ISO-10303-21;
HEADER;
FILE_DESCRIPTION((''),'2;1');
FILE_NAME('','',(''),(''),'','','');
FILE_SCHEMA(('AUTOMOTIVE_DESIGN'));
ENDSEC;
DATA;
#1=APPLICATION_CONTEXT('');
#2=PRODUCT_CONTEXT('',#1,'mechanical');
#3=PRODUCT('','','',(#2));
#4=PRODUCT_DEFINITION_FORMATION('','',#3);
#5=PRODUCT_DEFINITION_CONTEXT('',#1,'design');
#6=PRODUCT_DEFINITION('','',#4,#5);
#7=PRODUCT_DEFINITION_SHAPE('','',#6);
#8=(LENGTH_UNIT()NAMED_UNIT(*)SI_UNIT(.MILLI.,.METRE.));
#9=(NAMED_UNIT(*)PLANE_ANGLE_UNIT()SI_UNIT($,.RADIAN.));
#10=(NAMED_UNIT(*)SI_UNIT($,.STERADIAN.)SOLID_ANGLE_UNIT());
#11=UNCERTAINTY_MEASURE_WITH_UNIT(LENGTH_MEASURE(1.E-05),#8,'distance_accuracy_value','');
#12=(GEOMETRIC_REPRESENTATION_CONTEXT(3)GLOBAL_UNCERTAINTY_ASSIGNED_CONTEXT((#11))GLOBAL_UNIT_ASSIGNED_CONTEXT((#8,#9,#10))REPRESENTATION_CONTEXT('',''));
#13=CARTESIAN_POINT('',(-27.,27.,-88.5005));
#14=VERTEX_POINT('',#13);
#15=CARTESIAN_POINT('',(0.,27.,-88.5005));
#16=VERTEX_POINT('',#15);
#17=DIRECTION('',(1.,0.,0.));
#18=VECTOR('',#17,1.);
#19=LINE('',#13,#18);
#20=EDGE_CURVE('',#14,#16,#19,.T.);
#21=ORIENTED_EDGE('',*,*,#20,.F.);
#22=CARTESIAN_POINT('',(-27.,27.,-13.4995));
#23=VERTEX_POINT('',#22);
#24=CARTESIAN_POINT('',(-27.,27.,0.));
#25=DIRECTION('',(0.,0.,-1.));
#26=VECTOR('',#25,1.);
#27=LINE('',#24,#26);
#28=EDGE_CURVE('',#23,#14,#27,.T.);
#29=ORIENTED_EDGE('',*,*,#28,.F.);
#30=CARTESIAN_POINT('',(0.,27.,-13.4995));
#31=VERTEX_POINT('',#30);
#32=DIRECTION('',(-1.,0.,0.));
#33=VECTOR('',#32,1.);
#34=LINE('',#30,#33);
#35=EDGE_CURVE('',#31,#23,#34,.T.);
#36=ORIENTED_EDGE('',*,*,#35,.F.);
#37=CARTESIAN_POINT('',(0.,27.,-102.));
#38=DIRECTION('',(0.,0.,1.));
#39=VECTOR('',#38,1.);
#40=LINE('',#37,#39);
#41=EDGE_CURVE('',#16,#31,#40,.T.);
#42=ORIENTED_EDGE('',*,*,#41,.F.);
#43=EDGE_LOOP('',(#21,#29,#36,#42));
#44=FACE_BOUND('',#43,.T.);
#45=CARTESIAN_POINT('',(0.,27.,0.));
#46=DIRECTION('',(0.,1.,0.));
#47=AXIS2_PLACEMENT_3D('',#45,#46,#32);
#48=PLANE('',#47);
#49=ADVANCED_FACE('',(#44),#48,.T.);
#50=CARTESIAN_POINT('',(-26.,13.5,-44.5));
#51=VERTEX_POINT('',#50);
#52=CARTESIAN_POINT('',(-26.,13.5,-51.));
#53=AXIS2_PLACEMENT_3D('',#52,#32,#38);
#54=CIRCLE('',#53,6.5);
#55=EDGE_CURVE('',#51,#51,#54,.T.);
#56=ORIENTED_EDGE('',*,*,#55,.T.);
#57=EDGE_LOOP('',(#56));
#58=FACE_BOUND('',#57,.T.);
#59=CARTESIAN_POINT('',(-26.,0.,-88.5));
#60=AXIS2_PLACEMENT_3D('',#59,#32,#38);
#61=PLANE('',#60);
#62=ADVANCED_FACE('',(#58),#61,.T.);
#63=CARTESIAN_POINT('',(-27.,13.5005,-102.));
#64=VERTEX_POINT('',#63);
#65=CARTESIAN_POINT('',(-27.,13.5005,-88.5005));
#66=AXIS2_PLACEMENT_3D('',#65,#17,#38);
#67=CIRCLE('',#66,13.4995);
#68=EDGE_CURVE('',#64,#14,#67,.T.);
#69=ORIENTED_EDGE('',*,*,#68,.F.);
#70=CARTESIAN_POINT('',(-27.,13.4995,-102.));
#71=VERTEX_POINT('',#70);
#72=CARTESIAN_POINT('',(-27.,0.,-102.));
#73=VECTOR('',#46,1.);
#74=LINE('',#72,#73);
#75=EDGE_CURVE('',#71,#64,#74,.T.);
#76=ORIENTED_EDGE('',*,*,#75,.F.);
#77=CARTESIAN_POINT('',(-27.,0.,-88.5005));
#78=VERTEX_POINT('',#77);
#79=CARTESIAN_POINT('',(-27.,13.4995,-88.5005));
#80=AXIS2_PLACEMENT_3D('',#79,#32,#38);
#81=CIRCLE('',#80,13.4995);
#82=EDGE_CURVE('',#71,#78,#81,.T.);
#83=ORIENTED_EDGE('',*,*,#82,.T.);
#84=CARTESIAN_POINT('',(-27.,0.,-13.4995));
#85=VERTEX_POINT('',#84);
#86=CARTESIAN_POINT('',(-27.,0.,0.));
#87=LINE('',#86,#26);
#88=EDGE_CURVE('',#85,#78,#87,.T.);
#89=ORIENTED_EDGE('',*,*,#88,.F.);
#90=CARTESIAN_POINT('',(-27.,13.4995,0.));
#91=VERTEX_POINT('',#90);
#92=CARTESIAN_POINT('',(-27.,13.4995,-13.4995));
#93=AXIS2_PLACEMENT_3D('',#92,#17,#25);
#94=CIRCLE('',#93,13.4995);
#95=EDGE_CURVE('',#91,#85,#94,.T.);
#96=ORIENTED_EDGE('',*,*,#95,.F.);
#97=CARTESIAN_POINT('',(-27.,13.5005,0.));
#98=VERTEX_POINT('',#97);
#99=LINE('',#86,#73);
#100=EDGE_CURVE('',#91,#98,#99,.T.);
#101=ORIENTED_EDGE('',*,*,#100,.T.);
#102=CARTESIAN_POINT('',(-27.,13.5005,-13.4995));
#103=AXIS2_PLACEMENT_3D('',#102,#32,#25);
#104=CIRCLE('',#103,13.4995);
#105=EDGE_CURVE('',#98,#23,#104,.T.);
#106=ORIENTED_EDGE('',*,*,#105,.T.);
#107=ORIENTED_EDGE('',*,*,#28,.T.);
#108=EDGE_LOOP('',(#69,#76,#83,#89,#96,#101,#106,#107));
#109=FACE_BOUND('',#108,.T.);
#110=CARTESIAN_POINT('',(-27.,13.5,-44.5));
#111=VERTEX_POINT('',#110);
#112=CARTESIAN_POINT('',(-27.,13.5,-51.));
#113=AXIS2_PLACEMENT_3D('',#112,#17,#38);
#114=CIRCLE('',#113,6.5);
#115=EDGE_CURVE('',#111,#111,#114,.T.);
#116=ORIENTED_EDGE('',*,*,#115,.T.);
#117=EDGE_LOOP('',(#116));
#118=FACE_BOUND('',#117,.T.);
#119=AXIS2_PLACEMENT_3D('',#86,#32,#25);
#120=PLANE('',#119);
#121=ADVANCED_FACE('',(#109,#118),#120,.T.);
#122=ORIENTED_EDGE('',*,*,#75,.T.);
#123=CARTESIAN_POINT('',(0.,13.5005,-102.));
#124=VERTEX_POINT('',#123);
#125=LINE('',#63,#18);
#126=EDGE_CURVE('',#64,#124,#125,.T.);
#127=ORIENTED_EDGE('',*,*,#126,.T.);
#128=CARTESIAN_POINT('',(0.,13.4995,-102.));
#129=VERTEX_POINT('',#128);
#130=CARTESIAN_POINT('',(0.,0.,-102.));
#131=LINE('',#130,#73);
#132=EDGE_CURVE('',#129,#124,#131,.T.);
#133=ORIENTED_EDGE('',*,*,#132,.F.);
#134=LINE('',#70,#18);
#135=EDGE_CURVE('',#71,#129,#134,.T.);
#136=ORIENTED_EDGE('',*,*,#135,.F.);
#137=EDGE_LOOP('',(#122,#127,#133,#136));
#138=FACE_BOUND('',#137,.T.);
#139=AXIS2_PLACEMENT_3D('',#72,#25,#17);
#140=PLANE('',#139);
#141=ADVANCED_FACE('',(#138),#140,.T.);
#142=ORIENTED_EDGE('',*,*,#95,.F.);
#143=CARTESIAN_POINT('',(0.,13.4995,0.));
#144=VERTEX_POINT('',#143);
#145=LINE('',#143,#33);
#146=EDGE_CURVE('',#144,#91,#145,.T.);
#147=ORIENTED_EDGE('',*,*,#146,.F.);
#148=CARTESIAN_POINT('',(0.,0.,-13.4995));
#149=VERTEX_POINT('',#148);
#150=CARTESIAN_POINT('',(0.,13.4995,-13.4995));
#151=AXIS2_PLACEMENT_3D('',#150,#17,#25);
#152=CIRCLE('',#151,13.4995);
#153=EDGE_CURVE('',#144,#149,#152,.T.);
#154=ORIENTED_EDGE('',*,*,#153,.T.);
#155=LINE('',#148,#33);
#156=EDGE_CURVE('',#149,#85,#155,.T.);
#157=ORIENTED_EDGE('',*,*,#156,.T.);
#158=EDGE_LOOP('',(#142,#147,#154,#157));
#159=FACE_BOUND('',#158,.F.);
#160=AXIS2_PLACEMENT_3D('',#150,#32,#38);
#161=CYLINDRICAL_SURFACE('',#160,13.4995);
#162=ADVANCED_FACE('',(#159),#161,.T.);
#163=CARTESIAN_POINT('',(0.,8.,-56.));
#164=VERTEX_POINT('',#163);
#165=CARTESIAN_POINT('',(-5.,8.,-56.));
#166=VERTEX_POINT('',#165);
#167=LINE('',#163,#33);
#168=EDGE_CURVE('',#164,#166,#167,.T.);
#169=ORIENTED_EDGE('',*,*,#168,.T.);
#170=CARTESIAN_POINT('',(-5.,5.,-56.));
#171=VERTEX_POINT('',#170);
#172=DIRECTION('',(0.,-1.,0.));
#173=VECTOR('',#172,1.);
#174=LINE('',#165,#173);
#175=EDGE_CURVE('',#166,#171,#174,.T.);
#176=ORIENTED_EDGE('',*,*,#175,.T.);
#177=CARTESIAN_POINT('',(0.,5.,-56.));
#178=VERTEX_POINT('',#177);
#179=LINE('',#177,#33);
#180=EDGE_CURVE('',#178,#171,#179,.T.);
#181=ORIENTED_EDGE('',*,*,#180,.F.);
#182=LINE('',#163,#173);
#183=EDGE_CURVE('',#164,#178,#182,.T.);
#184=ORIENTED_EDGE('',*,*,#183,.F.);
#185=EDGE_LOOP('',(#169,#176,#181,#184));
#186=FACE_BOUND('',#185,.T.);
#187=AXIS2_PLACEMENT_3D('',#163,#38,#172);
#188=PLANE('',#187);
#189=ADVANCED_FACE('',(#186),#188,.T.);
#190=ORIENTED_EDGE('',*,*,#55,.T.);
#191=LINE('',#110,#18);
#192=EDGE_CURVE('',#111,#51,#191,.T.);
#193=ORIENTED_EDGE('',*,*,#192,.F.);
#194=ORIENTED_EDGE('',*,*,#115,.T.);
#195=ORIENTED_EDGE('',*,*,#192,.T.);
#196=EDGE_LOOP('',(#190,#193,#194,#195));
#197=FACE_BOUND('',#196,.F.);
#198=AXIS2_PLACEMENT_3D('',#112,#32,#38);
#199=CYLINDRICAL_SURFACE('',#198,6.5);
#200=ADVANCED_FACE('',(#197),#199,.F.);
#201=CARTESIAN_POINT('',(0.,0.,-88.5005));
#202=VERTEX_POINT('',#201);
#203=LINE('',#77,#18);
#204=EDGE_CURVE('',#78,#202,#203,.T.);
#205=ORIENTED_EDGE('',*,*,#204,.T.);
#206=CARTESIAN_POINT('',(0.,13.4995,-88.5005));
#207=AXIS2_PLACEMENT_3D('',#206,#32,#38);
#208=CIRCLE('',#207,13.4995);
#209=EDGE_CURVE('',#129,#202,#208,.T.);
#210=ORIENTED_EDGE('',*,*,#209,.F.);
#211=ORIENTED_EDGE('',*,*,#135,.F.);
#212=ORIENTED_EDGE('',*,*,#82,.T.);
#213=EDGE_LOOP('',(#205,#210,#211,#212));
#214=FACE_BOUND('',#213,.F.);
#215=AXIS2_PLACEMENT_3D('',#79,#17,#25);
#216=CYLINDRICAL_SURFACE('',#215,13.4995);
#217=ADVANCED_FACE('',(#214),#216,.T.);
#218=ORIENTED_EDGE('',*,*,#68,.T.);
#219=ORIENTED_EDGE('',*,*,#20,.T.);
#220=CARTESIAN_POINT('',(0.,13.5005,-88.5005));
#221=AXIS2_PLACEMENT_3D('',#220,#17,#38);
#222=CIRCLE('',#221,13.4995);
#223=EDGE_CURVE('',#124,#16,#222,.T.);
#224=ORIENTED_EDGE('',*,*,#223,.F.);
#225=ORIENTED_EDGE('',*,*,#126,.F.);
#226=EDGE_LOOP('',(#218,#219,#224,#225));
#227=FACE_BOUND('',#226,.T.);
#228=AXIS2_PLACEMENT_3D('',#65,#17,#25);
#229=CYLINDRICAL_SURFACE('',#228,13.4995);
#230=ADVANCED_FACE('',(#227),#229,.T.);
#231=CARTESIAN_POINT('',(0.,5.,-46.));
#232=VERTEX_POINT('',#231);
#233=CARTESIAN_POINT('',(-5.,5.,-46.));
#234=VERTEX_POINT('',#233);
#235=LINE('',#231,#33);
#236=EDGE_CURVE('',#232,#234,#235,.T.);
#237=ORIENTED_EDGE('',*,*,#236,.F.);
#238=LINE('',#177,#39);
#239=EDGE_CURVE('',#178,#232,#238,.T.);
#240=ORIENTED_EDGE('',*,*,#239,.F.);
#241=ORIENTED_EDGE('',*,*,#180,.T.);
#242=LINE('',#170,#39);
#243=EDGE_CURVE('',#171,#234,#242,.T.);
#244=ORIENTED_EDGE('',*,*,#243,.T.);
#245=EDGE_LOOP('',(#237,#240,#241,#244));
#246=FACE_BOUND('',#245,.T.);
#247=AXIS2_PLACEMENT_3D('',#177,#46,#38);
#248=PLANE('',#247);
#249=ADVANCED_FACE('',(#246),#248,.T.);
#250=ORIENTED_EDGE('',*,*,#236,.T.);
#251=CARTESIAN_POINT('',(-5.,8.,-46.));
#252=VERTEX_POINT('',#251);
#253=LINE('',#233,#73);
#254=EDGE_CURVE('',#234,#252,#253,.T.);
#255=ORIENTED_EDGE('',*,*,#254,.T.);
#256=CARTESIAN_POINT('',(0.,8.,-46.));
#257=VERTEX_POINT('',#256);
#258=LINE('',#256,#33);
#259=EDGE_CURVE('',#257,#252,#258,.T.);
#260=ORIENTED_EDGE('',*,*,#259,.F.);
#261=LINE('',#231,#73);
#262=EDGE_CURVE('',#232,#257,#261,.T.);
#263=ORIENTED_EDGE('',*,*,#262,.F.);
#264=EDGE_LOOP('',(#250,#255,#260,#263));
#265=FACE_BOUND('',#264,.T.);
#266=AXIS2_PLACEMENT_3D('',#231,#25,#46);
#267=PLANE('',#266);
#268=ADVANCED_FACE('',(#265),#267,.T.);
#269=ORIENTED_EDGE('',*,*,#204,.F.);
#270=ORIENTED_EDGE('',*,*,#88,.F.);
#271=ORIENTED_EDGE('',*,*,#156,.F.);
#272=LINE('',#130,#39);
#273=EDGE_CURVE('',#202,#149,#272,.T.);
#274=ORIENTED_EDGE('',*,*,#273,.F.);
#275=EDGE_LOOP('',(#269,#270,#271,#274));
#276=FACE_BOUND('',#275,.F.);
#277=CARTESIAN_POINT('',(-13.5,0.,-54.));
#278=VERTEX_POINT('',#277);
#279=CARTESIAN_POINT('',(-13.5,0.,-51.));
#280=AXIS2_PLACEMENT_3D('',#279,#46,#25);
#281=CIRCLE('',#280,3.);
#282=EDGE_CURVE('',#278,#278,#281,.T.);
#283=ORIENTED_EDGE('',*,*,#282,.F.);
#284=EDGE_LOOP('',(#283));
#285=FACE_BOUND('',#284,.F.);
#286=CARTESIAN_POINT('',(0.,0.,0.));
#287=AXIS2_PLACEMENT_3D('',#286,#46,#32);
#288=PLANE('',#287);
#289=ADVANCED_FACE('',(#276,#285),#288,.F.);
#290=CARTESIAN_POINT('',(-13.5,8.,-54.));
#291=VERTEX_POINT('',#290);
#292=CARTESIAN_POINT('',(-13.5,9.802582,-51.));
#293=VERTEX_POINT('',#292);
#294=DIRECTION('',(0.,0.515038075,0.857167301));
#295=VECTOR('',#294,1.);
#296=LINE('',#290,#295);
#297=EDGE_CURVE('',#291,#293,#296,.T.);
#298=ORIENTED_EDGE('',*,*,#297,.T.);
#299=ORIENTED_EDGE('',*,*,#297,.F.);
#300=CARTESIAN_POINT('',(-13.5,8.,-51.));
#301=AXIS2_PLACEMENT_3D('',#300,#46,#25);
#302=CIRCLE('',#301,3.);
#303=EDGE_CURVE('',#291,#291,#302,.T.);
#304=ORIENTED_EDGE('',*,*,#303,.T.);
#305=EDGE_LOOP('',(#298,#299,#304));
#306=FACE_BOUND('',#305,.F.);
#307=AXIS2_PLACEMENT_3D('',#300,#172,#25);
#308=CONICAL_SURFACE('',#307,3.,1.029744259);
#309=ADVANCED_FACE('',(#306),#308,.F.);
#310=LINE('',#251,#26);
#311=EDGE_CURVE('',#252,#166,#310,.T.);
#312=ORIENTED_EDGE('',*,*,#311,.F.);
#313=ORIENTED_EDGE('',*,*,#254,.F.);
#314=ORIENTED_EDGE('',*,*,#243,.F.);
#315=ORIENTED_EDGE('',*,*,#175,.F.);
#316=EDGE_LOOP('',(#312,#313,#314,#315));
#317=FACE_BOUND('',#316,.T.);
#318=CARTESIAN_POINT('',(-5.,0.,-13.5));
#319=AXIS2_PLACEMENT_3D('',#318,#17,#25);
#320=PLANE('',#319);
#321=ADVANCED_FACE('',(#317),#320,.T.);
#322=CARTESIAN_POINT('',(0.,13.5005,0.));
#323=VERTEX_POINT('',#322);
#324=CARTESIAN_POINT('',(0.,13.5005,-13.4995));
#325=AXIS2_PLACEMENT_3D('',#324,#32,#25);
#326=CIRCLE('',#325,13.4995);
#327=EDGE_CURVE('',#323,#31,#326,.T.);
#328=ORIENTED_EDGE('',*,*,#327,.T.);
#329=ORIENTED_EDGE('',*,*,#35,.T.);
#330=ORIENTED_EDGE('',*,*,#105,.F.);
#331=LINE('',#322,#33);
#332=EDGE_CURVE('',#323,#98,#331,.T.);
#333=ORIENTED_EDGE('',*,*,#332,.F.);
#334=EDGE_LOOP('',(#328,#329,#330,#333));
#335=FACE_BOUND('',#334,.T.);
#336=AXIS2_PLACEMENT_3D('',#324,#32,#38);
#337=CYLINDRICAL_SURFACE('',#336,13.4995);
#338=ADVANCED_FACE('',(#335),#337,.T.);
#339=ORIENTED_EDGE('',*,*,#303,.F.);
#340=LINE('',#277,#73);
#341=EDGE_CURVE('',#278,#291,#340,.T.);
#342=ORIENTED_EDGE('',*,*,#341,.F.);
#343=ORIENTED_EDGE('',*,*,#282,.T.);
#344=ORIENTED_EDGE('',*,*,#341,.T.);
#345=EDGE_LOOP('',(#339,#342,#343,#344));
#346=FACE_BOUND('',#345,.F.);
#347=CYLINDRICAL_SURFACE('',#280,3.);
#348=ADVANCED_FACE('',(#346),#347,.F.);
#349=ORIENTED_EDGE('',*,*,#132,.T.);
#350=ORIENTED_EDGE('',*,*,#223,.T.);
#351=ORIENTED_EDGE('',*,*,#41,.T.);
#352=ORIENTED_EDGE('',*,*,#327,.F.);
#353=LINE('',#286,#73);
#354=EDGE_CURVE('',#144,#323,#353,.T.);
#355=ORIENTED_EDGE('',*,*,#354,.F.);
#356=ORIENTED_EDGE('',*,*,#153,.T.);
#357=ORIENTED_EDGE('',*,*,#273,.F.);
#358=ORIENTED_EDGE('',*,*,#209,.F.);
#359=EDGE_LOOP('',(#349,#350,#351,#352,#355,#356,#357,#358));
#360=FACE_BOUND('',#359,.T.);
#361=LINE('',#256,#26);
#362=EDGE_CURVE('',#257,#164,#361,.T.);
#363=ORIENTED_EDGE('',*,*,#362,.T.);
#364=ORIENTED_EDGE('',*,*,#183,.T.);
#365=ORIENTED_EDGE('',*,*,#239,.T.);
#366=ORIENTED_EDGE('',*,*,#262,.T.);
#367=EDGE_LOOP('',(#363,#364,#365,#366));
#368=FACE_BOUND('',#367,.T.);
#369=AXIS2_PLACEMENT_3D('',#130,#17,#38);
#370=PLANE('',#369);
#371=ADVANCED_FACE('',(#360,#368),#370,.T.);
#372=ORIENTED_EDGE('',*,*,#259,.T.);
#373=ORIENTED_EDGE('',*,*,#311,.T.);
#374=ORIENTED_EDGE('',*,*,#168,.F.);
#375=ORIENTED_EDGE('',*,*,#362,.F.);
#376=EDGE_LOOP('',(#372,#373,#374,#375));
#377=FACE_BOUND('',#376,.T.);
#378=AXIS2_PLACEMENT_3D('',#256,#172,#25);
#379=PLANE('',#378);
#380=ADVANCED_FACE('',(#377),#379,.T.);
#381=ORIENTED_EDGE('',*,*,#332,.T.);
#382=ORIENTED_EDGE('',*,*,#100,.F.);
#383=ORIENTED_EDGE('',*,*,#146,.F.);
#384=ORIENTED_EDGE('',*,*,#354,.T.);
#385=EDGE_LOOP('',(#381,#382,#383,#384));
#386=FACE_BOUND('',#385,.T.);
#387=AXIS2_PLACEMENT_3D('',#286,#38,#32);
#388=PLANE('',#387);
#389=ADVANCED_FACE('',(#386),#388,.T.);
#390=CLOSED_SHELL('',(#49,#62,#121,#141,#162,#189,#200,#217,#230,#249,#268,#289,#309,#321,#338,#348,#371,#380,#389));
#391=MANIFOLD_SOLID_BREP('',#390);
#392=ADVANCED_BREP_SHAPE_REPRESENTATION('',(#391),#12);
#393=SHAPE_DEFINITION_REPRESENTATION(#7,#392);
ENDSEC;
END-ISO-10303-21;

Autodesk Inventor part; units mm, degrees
ref_plane "YZ Plane" through (0, 0, 0) normal (1, 0, 0) x (0, 1, 0)
ref_plane "XZ Plane" through (0, 0, 0) normal (0, 1, 0) x (-1, 0, 0)
ref_plane "XY Plane" through (0, 0, 0) normal (0, 0, 1) x (1, 0, 0)
sketch "スケッチ1" plane through (0, 0, 0) normal (0, 1, 0) x (-1, 0, 0)
  line L0 (0, 0) -> (27, 0)
  line L1 (27, 0) -> (27, -102)
  line L2 (27, -102) -> (0, -102)
  line L3 (0, -102) -> (0, 0)
  dimension "d0" = 27
  dimension "d1" = 102
extrude "押し出し1" add sketch "スケッチ1" along normal blind 27
fillet "フィレット1" radius 13.5 4 edges at (-13.5, 27, 0) (-13.5, 0, 0) (-13.5, 27, -102) (-13.5, 0, -102)
sketch "スケッチ2" plane through (-27, 0, -88.5) normal (-1, 0, 0) x (0, 0, 1)
  line L0 (0, 27) -> (75, 27) projected
  line L1 (37.5, 27) -> (37.5, 0)
  line L2 (0, 0) -> (75, 0) projected
  circle A0 centre (37.5, 13.5) radius 6.5
  point P0 (88.5, 0)
  dimension "d5" = 13
extrude "押し出し2" cut sketch "スケッチ2" against normal blind 1
sketch "スケッチ3" plane through (0, 0, 0) normal (0, -1, 0) x (1, 0, 0)
  line L0 (-27, -88.5) -> (-27, -13.5) projected
  line L1 (-27, -51) -> (0, -51)
  line L2 (0, -13.5) -> (0, -88.5) projected
  point P0 (0, 0)
  point P1 (-13.5, -51)
hole "穴1" at (-13.5, 0, -51) direction (0, 1, 0) diameter 6 depth 8 tip angle 118
sketch "スケッチ4" plane through (0, 0, -13.5) normal (1, 0, 0) x (0, 0, -1)
  line L0 (32.5, 8) -> (42.5, 8)
  line L1 (42.5, 8) -> (42.5, 5)
  line L2 (42.5, 5) -> (32.5, 5)
  line L3 (32.5, 5) -> (32.5, 8)
  line L4 (0, 0) -> (75, 0) projected
  point P0 (-13.5, 0)
  point P1 (37.5, 0)
  point P2 (37.5, 5)
  dimension "d15" = 10
  dimension "d16" = 3
  dimension "d17" = 5
  dimension "d18" = 0
extrude "押し出し3" cut sketch "スケッチ4" against normal blind 5
properties part number "camera" material "ABS プラスチック"
